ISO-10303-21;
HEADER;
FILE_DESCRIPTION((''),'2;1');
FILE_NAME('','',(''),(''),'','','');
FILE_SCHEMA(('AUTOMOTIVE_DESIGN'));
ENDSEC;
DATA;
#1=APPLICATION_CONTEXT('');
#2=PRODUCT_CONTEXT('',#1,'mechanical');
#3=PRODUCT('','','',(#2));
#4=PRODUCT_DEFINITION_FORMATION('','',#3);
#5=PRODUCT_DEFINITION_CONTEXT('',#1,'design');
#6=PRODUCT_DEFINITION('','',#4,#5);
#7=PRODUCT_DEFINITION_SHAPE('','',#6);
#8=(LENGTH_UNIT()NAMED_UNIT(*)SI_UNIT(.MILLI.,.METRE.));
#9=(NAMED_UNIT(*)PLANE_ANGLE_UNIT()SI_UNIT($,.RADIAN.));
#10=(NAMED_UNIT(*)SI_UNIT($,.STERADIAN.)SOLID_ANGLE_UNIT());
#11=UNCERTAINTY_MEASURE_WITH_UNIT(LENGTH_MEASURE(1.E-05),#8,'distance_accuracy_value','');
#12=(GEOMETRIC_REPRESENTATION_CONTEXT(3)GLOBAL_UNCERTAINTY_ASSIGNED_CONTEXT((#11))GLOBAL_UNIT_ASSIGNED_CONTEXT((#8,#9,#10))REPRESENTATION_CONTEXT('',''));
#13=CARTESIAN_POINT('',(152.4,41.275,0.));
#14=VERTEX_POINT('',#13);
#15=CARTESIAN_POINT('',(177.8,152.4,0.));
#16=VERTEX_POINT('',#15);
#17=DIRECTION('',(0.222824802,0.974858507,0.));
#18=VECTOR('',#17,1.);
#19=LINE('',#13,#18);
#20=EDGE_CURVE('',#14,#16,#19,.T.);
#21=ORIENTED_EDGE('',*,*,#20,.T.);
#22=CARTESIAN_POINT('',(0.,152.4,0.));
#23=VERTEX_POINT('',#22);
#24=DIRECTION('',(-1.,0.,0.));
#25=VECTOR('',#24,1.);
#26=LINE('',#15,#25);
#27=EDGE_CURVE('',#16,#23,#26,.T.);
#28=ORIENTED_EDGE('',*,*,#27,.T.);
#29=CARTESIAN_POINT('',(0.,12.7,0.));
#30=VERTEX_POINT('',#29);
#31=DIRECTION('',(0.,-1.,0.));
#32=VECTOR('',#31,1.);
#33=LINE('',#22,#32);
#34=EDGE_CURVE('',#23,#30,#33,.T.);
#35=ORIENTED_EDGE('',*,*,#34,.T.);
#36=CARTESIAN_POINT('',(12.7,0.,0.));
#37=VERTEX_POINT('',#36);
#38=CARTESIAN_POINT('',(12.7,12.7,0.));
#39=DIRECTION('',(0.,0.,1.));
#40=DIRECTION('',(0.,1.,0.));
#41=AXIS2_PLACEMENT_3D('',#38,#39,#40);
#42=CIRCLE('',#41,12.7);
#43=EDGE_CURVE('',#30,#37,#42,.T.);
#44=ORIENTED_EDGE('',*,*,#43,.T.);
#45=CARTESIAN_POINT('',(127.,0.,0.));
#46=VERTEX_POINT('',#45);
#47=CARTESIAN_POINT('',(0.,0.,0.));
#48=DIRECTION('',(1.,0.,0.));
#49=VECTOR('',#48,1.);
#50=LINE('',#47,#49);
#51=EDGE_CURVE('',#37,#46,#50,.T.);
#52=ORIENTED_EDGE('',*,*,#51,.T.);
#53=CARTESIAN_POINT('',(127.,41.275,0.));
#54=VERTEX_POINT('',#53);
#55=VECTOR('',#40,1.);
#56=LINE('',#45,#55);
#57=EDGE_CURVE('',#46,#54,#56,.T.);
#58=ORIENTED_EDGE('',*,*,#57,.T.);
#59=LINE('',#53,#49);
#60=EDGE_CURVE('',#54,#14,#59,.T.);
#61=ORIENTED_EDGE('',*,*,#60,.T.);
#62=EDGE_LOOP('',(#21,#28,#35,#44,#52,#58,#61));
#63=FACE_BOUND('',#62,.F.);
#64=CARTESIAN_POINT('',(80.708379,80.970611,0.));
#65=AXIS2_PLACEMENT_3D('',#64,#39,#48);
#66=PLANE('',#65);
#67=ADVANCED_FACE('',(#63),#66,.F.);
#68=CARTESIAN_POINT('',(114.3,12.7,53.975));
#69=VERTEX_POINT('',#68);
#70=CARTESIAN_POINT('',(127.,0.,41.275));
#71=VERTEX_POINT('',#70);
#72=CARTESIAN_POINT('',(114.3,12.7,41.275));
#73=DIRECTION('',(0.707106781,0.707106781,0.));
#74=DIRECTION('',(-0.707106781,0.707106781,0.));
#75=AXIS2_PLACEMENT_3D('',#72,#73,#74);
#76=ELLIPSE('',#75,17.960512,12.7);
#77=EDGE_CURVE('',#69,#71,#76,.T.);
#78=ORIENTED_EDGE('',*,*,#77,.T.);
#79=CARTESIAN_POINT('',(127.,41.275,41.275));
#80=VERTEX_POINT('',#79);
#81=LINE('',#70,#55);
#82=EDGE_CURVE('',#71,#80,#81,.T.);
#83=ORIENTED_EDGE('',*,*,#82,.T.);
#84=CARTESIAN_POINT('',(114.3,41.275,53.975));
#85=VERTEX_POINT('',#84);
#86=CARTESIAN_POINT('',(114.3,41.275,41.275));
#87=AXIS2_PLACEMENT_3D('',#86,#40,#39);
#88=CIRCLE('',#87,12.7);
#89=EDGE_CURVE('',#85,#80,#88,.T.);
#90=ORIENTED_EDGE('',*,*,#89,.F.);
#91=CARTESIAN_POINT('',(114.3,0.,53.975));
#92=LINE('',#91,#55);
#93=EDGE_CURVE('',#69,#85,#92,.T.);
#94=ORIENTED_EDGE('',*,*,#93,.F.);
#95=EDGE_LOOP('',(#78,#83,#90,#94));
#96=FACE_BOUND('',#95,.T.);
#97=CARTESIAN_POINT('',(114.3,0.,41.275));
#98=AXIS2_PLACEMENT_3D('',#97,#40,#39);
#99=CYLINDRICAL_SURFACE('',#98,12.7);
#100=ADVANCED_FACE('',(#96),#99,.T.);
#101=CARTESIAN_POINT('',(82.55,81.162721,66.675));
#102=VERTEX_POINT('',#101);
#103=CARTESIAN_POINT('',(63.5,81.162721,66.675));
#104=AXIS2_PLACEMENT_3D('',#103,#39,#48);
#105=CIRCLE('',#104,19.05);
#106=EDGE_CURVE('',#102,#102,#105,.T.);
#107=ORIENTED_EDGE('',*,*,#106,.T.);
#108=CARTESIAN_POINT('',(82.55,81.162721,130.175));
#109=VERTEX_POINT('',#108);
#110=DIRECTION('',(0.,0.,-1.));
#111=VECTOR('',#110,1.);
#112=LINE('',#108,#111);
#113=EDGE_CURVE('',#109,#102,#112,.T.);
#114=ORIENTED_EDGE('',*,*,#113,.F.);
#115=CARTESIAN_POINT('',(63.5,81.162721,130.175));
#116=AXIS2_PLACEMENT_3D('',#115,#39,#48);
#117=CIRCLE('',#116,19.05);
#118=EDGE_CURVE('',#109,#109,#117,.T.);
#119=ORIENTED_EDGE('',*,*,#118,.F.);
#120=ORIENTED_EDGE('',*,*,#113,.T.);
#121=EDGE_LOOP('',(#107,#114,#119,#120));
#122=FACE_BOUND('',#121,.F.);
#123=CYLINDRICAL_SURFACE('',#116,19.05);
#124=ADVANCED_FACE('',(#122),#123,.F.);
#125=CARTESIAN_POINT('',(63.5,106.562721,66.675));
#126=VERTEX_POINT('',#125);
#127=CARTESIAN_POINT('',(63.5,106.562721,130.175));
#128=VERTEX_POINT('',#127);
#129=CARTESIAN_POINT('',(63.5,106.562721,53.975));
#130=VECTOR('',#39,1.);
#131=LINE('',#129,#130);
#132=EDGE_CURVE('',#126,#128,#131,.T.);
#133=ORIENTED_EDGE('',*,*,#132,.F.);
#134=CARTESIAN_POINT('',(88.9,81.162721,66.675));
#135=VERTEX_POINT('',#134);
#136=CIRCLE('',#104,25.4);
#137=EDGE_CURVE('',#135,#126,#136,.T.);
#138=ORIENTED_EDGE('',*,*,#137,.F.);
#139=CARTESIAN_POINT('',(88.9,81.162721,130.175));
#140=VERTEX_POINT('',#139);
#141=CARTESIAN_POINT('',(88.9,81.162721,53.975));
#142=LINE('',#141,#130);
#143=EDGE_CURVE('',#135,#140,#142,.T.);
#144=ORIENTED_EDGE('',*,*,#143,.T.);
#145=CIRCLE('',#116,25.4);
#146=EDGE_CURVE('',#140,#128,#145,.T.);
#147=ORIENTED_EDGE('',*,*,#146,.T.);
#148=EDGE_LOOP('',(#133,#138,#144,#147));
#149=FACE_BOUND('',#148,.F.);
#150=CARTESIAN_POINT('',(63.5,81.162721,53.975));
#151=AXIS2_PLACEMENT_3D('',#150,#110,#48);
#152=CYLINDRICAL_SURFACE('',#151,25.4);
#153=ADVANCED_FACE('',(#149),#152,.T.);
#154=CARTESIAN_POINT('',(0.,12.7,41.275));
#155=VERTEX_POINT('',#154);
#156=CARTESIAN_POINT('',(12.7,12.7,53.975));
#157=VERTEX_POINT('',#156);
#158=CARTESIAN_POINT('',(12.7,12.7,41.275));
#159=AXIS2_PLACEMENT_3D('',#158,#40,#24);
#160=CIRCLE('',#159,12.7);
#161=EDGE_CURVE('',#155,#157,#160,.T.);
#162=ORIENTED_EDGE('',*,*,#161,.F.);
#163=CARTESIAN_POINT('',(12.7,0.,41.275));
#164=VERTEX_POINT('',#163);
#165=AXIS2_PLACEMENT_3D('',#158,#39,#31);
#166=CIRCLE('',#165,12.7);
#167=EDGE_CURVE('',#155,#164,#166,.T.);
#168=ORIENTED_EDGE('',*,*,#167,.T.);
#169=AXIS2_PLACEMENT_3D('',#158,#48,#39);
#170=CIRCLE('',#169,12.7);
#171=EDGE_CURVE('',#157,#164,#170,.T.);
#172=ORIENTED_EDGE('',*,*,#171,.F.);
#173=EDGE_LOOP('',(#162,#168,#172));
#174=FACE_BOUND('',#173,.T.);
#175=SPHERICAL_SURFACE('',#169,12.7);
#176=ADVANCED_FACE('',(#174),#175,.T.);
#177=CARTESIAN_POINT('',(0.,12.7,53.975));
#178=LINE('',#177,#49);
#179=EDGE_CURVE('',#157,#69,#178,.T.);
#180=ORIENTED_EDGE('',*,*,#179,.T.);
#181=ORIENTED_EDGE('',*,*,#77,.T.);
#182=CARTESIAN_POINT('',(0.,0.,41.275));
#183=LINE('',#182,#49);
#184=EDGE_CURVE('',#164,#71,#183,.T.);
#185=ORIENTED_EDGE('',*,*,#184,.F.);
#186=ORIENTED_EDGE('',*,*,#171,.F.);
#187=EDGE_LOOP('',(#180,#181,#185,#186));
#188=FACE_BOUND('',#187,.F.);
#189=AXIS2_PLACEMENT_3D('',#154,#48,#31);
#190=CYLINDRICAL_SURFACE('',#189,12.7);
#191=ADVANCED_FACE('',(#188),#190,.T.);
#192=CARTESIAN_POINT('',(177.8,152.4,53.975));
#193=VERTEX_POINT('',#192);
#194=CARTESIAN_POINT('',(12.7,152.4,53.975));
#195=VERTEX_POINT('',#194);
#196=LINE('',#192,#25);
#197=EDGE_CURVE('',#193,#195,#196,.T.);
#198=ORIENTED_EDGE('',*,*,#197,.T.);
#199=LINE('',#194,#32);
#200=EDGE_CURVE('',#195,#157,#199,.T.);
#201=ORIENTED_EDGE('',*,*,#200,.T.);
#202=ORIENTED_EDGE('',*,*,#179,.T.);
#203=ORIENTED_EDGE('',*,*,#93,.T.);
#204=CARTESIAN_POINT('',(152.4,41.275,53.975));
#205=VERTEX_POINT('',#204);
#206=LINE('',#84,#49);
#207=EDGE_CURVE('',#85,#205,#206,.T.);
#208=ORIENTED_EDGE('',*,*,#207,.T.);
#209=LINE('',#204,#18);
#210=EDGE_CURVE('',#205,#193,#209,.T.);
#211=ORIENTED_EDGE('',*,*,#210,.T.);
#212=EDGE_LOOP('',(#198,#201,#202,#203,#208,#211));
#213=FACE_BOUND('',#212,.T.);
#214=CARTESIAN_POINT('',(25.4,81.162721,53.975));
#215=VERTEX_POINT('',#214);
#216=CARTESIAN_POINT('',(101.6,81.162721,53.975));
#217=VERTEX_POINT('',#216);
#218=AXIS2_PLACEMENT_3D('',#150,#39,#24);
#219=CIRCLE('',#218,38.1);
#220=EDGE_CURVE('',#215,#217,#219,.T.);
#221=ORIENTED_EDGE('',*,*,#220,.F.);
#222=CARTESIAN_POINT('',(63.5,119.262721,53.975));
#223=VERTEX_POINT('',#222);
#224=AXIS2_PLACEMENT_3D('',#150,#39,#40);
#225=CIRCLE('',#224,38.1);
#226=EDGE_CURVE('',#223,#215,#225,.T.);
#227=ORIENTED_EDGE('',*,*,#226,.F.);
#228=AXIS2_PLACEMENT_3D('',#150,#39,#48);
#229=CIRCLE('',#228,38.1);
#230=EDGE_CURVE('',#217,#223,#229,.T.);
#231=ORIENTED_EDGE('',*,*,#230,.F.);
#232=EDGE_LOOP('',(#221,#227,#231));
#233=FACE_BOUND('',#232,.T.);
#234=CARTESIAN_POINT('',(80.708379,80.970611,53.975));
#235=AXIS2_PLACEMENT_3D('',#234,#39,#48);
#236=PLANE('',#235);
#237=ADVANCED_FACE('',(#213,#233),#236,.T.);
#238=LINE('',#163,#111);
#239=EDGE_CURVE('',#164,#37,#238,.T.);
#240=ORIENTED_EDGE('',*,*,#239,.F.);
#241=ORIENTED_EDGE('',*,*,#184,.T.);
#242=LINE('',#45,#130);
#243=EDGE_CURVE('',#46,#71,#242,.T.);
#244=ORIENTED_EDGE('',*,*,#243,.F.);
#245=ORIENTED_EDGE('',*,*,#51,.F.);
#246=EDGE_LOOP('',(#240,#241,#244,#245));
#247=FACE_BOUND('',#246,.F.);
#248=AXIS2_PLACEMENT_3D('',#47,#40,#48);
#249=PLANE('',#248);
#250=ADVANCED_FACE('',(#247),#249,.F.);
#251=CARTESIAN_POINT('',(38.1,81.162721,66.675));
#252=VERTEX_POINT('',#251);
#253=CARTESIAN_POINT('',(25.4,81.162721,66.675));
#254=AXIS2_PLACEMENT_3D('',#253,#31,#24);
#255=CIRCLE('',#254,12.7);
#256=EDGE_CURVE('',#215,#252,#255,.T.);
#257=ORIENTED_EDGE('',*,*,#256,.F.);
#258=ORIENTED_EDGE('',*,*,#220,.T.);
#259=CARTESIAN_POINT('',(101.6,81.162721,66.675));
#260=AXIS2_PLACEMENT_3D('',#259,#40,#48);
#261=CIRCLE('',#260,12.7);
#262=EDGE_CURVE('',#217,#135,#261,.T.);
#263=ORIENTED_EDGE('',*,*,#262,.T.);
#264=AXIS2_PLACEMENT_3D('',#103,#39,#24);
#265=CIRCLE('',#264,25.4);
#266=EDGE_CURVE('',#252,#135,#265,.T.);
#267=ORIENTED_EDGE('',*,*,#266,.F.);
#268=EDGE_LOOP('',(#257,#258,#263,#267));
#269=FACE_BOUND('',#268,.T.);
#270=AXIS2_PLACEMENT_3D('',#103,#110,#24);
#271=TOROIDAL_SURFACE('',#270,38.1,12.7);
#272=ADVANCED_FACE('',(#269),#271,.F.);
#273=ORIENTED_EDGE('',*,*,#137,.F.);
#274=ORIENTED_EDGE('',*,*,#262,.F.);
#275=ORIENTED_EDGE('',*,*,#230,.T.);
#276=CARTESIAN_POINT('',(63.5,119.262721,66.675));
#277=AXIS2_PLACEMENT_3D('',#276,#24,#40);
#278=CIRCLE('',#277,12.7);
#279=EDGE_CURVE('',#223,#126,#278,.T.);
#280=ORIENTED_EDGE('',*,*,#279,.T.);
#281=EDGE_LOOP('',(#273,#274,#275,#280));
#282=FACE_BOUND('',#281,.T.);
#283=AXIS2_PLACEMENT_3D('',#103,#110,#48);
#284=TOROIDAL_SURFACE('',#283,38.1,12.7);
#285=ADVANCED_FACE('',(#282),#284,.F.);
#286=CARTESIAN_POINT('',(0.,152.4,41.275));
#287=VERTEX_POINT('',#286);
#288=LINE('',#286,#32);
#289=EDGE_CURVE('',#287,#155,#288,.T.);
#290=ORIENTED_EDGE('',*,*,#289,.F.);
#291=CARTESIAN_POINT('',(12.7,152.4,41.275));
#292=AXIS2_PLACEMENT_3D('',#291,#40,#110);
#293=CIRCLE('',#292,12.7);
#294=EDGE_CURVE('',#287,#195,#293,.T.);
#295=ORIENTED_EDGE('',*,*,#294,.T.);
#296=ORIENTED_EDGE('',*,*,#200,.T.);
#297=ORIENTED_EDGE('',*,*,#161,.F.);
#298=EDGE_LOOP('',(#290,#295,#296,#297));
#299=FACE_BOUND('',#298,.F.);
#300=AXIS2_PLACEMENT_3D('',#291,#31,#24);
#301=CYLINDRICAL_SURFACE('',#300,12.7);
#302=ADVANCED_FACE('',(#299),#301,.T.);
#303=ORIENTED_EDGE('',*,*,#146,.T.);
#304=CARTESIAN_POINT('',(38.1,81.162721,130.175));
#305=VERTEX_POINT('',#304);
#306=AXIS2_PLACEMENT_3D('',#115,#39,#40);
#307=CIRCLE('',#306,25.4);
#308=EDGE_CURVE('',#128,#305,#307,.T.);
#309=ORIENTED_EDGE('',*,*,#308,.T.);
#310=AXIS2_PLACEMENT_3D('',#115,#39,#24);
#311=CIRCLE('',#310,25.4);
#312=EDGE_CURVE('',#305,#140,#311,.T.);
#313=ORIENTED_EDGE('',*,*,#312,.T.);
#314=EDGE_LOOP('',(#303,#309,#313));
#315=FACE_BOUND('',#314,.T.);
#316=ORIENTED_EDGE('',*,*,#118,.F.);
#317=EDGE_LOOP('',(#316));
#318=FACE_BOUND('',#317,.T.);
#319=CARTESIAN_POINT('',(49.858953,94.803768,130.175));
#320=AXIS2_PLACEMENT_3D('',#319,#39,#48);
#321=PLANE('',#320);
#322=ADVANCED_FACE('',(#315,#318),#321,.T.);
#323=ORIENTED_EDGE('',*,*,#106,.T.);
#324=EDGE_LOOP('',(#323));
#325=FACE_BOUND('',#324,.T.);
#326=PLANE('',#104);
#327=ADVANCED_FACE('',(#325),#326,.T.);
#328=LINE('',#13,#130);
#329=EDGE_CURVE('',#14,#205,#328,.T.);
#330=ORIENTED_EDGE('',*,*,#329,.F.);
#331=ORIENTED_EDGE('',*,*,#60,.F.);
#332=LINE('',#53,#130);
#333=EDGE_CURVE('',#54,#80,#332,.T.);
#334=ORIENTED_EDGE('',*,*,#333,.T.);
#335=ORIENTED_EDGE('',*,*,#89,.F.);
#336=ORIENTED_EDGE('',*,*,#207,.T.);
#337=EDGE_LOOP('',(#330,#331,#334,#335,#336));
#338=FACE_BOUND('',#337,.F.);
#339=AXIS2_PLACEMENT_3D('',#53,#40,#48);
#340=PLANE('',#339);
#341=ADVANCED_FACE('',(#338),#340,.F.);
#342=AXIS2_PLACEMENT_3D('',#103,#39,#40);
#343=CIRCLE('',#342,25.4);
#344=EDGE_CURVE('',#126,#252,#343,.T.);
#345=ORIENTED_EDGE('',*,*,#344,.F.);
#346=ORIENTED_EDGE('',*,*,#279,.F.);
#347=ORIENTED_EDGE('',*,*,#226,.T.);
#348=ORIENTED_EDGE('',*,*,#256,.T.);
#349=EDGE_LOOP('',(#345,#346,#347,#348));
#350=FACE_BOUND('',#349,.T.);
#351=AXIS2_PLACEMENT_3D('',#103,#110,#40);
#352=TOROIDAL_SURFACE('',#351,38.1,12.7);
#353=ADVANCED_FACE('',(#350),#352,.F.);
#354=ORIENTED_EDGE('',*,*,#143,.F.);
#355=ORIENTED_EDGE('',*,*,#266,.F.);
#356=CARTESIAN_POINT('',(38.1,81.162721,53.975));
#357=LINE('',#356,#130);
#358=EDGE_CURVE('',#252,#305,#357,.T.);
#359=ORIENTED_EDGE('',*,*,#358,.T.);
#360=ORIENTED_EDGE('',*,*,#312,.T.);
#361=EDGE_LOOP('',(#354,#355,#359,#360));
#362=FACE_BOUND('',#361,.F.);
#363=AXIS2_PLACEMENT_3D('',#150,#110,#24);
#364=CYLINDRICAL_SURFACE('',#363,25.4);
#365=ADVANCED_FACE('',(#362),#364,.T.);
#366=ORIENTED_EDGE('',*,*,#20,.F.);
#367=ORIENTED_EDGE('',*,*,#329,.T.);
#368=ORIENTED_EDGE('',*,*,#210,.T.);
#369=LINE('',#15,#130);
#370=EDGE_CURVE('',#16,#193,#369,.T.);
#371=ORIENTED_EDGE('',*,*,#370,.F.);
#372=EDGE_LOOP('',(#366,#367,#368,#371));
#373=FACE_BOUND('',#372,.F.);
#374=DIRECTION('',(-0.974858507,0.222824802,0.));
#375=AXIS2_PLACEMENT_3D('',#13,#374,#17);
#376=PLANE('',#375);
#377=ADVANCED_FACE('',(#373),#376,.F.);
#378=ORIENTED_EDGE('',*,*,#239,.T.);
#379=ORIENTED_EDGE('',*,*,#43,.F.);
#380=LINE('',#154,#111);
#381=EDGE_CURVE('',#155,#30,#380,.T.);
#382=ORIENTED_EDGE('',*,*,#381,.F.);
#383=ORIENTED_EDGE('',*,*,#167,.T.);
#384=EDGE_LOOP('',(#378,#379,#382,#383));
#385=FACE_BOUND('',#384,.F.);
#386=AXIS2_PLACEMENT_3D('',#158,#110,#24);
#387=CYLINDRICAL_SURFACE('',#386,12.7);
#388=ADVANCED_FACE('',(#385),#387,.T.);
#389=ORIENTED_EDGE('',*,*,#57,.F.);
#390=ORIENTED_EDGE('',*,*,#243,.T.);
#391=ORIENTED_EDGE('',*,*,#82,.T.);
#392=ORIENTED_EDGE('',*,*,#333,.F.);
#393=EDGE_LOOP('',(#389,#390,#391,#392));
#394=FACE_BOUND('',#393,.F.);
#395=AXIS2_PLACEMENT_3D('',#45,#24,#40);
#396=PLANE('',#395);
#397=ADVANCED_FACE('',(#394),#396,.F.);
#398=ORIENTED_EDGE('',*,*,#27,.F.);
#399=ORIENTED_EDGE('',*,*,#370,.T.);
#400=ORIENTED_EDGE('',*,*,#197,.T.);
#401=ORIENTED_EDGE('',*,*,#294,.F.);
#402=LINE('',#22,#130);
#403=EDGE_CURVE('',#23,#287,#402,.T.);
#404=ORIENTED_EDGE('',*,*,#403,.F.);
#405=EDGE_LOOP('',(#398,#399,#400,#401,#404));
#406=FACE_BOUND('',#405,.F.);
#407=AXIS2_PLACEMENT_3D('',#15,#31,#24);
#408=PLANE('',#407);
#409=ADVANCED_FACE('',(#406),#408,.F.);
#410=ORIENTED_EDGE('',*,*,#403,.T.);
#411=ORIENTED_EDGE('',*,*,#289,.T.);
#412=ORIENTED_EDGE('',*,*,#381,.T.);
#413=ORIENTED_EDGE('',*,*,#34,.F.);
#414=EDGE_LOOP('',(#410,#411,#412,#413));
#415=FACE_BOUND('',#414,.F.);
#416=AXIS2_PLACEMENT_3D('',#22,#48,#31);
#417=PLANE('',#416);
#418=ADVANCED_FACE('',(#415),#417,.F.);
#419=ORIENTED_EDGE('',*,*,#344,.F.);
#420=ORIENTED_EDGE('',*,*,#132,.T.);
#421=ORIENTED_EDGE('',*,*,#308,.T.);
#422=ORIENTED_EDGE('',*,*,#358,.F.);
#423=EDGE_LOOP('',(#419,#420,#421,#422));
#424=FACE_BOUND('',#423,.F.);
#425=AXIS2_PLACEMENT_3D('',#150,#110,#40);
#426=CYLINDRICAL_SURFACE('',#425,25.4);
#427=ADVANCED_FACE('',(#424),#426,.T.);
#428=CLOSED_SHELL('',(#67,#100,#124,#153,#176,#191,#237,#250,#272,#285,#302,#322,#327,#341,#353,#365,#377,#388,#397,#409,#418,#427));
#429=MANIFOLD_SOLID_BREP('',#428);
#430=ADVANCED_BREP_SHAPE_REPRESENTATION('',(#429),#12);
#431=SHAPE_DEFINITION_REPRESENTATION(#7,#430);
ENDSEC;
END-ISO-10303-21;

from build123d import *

# Parameters (mm, degrees)
F1_DEPTH = 53.975
F3_DEPTH = 76.2
F4_R     = 19.05
F5_DEPTH = 63.5
F6_R     = 12.7
F7_R     = 12.7


with BuildPart() as f1:
    # F0 (on Top) → F1 (new body)
    with BuildSketch(Plane.XY):
        Polygon((0, 152.4), (0, 0), (127, 0), (127, 41.275), (152.4, 41.275), (177.8, 152.4), align=None)
    extrude(amount=F1_DEPTH)

    # F2 (on face) → F3 (join)
    with BuildSketch(Plane.XY.offset(53.975)):
        with BuildLine():
            Line((63.5, 100.2127209187), (63.5, 106.5627209187))
            ThreePointArc((63.5, 106.5627209187), (45.5394877579, 99.1232331608), (38.1, 81.1627209187))
            Line((38.1, 81.1627209187), (44.45, 81.1627209187))
            ThreePointArc((44.45, 81.1627209187), (50.0296158184, 94.6331051003), (63.5, 100.2127209187))
        make_face()
        with BuildLine():
            ThreePointArc((88.9, 81.1627209187), (81.4605122421, 99.1232331608), (63.5, 106.5627209187))
            Line((63.5, 106.5627209187), (63.5, 100.2127209187))
            ThreePointArc((63.5, 100.2127209187), (76.9703841816, 94.6331051003), (82.55, 81.1627209187))
            ThreePointArc((82.55, 81.1627209187), (63.5, 62.1127209187), (44.45, 81.1627209187))
            Line((44.45, 81.1627209187), (38.1, 81.1627209187))
            ThreePointArc((38.1, 81.1627209187), (63.5, 55.7627209187), (88.9, 81.1627209187))
        make_face()
        with BuildLine():
            ThreePointArc((82.55, 81.1627209187), (76.9703841816, 94.6331051003), (63.5, 100.2127209187))
            Line((63.5, 100.2127209187), (63.5, 81.1627209187))
            Line((63.5, 81.1627209187), (44.45, 81.1627209187))
            ThreePointArc((44.45, 81.1627209187), (63.5, 62.1127209187), (82.55, 81.1627209187))
        make_face()
        with BuildLine():
            Line((63.5, 81.1627209187), (63.5, 100.2127209187))
            ThreePointArc((63.5, 100.2127209187), (50.0296158184, 94.6331051003), (44.45, 81.1627209187))
            Line((44.45, 81.1627209187), (63.5, 81.1627209187))
        make_face()
    extrude(amount=F3_DEPTH)

    # F4 (on face) → F5 (cut)
    with BuildSketch(Plane.XY.offset(130.175)):
        with Locations((63.5, 81.1627209187)):
            Circle(F4_R)
    extrude(amount=-F5_DEPTH, mode=Mode.SUBTRACT)

    # F6
    f6_edges = [f1.edges().sort_by_distance(p)[0] for p in [
        (88.9, 81.162721, 53.975),
        (127, 20.6375, 53.975),
        (63.5, 0, 53.975),
    ]]
    fillet(f6_edges, radius=F6_R)

    # F7
    f7_edges = [f1.edges().sort_by_distance(p)[0] for p in [
        (0, 82.55, 53.975),
    ]]
    fillet(f7_edges, radius=F7_R)


solid = f1.part
